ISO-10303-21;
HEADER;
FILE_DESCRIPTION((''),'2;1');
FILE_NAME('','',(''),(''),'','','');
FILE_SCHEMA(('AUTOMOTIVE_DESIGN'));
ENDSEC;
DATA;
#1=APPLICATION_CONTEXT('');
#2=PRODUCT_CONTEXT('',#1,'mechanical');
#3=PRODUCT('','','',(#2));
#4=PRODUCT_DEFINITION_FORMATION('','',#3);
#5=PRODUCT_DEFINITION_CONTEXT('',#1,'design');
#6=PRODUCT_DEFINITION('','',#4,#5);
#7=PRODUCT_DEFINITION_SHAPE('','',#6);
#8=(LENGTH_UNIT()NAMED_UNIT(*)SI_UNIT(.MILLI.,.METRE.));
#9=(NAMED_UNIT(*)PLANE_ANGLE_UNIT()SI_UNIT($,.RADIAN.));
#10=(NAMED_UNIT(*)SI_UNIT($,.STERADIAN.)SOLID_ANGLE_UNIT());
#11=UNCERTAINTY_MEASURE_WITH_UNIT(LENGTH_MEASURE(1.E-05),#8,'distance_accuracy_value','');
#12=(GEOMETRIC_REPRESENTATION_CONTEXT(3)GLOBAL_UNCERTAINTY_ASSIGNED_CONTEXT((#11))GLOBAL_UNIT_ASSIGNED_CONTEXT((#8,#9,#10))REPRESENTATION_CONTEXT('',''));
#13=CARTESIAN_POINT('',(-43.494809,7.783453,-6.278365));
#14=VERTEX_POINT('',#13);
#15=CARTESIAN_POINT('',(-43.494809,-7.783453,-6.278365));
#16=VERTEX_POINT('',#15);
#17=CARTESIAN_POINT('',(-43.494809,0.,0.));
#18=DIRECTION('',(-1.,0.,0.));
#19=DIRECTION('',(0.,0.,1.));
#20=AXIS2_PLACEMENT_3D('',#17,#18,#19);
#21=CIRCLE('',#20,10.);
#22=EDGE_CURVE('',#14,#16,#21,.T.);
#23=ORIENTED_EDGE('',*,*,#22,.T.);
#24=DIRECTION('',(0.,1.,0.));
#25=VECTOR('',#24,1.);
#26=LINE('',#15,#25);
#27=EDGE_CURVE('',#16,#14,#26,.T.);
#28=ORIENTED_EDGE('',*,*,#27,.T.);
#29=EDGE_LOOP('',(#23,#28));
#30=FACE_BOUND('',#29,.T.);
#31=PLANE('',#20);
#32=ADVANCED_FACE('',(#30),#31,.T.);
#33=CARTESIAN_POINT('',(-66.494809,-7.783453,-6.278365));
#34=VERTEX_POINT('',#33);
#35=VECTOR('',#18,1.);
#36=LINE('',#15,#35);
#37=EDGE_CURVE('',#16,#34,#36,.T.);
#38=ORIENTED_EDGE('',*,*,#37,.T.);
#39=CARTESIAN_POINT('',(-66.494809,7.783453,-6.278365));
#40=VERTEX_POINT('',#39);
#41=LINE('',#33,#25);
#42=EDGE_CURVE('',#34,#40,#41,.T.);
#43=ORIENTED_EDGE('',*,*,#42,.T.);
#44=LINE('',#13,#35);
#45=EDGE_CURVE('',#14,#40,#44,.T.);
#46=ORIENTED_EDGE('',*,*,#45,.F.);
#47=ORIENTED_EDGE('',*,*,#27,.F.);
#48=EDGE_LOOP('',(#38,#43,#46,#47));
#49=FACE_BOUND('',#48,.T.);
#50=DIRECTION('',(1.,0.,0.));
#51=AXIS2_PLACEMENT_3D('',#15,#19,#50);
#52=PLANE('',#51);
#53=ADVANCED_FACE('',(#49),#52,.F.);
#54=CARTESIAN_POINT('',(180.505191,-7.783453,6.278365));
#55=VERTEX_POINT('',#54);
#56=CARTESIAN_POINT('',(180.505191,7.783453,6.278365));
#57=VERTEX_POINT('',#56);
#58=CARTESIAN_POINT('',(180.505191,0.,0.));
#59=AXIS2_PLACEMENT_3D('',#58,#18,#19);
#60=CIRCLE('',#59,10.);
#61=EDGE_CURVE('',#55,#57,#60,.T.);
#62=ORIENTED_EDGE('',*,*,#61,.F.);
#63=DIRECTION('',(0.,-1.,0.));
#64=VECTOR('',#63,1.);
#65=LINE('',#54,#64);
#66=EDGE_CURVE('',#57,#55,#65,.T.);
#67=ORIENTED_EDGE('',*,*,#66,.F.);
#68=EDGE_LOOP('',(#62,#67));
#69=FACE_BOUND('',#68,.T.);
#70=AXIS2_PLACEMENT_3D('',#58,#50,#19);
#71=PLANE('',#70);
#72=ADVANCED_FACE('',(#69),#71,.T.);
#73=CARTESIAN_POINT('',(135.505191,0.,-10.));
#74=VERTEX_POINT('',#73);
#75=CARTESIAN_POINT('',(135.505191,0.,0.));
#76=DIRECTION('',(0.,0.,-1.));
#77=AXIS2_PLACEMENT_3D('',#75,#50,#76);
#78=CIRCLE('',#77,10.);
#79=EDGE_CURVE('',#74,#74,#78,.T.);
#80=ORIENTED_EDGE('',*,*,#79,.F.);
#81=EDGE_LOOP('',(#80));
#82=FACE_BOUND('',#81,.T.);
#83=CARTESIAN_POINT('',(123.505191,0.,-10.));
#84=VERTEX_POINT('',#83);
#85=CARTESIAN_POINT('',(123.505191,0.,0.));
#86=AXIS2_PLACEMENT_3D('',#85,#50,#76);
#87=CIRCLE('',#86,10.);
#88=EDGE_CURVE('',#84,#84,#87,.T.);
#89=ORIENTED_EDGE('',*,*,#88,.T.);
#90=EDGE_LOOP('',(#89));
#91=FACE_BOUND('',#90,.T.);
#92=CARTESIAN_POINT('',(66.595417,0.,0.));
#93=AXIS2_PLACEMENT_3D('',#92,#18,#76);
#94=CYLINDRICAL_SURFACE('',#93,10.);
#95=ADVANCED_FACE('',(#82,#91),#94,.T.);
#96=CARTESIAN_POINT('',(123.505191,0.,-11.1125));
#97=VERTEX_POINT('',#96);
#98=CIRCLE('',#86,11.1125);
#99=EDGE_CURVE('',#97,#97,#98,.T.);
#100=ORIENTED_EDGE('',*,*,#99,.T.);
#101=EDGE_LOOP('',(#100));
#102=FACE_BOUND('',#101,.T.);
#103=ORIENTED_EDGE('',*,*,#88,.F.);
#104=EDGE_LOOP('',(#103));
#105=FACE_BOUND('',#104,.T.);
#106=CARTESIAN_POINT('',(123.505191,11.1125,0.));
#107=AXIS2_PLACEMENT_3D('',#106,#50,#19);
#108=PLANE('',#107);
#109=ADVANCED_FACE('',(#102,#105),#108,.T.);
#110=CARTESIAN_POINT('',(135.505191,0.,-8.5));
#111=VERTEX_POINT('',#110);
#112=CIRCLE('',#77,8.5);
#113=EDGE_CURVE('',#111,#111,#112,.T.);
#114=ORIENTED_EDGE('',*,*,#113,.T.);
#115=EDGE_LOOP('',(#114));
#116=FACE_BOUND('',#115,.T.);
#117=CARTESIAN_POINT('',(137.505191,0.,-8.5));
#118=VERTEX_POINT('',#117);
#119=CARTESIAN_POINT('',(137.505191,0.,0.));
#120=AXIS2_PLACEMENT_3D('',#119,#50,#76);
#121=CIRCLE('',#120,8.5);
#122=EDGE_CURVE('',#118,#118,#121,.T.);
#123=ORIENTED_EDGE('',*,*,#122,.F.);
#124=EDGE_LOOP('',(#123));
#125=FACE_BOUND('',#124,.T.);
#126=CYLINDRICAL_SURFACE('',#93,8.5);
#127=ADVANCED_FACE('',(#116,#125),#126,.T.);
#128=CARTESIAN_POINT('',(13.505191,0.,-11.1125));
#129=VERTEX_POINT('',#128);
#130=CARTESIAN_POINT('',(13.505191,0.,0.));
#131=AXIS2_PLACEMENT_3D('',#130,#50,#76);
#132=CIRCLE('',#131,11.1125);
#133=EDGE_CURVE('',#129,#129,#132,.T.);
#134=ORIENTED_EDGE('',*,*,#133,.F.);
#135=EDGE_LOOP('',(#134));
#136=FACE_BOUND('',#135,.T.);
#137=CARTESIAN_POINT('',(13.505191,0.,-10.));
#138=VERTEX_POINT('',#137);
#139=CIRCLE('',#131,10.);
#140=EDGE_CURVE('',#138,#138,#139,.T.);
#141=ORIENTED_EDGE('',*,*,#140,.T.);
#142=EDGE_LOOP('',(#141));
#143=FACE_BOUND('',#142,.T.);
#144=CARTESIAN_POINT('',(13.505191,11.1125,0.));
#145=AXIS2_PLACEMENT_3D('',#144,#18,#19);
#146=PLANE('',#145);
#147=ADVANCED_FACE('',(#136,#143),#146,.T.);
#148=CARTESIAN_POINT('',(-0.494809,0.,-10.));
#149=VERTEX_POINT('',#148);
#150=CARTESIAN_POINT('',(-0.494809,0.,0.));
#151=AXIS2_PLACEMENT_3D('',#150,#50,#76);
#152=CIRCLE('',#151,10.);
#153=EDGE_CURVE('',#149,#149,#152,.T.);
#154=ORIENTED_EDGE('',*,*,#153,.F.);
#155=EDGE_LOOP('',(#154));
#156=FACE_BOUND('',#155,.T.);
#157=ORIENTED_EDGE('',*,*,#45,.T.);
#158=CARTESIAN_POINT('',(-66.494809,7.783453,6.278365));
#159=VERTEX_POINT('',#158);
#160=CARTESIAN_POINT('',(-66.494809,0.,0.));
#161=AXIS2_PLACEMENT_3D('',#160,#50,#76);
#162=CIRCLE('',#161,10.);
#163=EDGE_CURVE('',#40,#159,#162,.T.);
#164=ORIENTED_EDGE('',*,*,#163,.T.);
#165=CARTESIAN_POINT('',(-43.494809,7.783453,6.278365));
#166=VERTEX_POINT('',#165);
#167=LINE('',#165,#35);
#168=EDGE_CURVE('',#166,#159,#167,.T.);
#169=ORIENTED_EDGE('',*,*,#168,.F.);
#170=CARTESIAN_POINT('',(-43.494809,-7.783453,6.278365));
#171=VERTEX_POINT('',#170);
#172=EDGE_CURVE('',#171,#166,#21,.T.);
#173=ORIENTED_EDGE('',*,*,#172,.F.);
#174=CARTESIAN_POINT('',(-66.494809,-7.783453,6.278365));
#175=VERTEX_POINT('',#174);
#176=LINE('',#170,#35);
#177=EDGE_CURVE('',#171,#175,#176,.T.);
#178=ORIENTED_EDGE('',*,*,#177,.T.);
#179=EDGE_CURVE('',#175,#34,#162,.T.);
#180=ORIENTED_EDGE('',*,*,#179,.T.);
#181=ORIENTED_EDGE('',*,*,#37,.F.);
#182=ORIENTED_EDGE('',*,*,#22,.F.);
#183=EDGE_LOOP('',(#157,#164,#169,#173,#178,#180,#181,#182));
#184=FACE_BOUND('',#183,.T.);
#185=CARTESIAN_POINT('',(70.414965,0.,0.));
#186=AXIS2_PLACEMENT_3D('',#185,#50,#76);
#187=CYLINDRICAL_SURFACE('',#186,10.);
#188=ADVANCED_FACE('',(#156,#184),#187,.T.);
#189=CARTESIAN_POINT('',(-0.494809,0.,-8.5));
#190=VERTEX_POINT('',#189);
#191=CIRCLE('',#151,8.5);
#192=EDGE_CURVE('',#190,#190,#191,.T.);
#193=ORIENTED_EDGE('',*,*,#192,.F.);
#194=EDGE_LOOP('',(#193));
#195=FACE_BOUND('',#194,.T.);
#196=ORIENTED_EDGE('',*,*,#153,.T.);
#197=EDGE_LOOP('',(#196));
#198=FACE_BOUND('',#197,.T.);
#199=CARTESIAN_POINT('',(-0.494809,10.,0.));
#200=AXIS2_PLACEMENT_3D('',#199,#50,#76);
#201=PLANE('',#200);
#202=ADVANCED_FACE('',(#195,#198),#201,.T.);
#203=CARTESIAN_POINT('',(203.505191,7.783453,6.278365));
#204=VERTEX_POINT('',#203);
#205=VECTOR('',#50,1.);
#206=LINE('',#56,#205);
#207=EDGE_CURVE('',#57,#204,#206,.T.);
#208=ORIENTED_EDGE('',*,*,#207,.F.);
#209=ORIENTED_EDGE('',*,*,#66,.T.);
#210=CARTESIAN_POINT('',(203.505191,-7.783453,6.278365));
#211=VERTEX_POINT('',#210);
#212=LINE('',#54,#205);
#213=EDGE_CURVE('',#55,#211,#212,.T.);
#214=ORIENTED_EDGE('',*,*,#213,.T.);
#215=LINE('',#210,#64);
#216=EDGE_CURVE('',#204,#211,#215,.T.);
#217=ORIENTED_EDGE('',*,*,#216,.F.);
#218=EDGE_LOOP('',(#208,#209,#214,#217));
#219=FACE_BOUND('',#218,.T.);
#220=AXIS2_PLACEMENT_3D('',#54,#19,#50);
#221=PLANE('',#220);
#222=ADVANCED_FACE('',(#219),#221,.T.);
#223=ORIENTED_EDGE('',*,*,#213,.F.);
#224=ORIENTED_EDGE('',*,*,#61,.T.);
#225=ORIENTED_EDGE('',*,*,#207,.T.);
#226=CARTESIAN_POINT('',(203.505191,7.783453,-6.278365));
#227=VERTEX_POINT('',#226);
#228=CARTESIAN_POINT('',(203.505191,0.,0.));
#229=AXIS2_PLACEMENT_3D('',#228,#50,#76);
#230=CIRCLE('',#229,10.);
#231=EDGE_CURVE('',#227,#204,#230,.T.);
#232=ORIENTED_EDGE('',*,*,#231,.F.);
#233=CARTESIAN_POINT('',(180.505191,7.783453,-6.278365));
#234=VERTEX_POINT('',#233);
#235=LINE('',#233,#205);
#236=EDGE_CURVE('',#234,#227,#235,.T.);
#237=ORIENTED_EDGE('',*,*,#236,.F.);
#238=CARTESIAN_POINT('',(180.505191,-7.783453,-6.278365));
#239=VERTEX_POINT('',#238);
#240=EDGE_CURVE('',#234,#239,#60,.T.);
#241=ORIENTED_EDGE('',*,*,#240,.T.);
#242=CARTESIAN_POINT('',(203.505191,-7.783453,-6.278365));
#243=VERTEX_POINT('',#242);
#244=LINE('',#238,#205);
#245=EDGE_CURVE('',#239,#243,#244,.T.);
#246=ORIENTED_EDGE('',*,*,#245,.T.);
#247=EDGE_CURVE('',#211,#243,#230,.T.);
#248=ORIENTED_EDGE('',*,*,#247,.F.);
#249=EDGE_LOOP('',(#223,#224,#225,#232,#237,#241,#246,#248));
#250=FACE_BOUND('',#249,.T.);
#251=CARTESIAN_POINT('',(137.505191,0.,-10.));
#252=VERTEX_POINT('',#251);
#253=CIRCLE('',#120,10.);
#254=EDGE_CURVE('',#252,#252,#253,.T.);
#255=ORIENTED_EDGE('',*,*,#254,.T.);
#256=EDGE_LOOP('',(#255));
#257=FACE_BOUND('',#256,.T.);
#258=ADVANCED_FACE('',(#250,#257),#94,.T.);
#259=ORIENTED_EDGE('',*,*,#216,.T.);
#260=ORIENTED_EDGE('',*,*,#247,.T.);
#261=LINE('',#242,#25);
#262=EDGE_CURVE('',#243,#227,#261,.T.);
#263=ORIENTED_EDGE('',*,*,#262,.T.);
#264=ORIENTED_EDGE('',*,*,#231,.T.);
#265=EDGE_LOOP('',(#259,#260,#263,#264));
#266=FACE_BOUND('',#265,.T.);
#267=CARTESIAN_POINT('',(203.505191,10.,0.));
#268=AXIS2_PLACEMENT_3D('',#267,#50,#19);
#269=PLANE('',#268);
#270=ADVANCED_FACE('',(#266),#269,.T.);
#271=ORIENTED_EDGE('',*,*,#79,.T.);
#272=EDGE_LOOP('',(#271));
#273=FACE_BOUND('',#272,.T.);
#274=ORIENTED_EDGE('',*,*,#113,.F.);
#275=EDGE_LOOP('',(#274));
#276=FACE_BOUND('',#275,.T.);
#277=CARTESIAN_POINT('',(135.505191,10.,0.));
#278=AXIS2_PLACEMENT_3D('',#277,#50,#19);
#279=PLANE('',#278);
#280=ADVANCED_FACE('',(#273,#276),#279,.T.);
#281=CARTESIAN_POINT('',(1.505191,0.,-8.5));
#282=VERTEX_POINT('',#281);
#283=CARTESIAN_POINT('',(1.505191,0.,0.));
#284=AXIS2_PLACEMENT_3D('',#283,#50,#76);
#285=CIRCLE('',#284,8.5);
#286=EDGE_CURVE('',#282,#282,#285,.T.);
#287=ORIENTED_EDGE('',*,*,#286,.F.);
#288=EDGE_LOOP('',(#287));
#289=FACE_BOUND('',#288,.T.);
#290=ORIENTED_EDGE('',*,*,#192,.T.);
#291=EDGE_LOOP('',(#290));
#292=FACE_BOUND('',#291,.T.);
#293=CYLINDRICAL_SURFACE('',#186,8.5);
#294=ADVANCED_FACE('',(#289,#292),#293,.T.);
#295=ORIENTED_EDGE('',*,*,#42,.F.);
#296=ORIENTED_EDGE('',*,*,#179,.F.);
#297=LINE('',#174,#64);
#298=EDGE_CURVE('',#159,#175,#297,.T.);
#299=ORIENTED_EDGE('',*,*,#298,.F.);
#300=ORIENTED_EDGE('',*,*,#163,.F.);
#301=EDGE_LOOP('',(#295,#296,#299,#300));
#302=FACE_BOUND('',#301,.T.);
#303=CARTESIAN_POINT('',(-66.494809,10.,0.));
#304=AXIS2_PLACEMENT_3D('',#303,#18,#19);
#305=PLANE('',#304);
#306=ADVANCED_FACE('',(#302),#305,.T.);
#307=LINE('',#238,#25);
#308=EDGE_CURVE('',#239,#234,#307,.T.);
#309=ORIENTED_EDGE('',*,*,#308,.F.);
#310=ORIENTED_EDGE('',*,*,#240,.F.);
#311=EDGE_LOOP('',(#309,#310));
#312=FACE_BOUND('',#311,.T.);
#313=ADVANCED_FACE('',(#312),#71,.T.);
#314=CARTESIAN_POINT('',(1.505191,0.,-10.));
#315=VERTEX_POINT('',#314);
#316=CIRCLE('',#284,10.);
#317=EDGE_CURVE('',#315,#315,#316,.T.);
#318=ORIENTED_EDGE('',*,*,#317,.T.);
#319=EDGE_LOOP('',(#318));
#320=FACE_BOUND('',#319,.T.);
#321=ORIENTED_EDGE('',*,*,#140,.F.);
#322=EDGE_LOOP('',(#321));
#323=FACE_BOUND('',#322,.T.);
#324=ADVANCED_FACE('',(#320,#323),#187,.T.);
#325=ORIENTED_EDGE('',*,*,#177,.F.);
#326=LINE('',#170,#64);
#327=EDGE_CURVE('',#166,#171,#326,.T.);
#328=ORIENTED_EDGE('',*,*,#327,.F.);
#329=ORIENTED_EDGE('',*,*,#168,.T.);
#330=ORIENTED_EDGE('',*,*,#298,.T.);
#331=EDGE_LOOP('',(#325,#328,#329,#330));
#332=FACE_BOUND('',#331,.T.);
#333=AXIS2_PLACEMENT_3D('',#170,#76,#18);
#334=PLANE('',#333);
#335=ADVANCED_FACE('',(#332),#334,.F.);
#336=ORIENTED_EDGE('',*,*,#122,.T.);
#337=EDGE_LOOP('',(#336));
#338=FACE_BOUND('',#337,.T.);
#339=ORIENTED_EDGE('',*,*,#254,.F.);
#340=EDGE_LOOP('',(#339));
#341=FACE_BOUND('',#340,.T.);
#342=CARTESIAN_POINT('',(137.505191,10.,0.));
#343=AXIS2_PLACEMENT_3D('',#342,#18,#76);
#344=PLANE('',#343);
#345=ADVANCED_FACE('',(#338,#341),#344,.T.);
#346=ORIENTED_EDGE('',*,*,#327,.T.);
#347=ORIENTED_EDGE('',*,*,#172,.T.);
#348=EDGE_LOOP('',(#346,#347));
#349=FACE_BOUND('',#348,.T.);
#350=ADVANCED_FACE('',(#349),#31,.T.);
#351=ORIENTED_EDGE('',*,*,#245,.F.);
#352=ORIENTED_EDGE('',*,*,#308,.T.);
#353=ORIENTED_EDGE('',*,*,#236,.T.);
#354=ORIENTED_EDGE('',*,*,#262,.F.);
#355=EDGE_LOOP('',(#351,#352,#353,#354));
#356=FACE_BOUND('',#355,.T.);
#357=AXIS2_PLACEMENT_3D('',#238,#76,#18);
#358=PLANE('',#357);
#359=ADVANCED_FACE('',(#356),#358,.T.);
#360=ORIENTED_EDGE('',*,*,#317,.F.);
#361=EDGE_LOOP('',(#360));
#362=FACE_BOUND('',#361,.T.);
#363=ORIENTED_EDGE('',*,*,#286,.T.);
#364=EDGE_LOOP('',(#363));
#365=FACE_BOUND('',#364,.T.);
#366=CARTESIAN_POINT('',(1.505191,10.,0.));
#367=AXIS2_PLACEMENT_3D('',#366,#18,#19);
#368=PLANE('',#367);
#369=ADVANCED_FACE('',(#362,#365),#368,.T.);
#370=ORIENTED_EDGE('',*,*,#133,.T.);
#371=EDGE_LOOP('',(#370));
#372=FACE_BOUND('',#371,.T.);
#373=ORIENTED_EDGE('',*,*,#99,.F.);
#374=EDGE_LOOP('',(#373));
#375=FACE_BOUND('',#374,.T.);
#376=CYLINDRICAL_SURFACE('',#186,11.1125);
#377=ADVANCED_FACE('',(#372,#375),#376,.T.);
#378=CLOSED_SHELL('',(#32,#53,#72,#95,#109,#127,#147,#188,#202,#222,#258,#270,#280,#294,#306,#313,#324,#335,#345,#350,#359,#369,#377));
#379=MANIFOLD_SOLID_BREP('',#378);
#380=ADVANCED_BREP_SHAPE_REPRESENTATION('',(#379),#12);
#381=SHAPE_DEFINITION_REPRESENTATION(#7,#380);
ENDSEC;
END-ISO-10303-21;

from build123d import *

# Parameters (mm, degrees)
CORTAR_EXTRUIR1_START = -23
CORTAR_EXTRUIR1_DEPTH = 23


with BuildPart() as part:
    # Croquis1 → Revolución1 (revolve)
    with BuildSketch(Plane.XY, mode=Mode.PRIVATE) as revoluci_n1_sk:
        Polygon((13.505191192, 11.1125), (68.505191192, 11.1125), (68.505191192, 0), (-66.494808808, 0), (-66.494808808, 10), (-0.494808808, 10), (-0.494808808, 8.5), (1.505191192, 8.5), (1.505191192, 10), (13.505191192, 10), align=None)
    revoluci_n1 = revolve(revoluci_n1_sk.sketch.rotate(Axis((70.414965315, 0, 0), (-1, 0, 0)), 90), axis=Axis((70.414965315, 0, 0), (-1, 0, 0)))

    # Croquis2 → Cortar-Extruir1 (cut)
    with BuildSketch(Plane.ZY.offset(66.494808808).offset(CORTAR_EXTRUIR1_START)):
        with BuildLine():
            Line((-6.278365003, -7.783452504), (-6.278365003, 7.783452504))
            ThreePointArc((-6.278365003, 7.783452504), (-10, 0), (-6.278365003, -7.783452504))
        make_face()
        with BuildLine():
            Line((6.278365003, -7.783452504), (6.278365003, 7.783452504))
            ThreePointArc((6.278365003, 7.783452504), (10, 0), (6.278365003, -7.783452504))
        make_face()
    cortar_extruir1 = extrude(amount=CORTAR_EXTRUIR1_DEPTH, mode=Mode.SUBTRACT)

    # Simetría2: Revolución1, Cortar-Extruir1 across plane
    add(revoluci_n1.mirror(Plane(origin=(68.505191192, 11.1125, 0), x_dir=(0, 0, 1), z_dir=(1, 0, 0))))
    add(cortar_extruir1.mirror(Plane(origin=(68.505191192, 11.1125, 0), x_dir=(0, 0, 1), z_dir=(1, 0, 0))), mode=Mode.SUBTRACT)


solid = part.part
